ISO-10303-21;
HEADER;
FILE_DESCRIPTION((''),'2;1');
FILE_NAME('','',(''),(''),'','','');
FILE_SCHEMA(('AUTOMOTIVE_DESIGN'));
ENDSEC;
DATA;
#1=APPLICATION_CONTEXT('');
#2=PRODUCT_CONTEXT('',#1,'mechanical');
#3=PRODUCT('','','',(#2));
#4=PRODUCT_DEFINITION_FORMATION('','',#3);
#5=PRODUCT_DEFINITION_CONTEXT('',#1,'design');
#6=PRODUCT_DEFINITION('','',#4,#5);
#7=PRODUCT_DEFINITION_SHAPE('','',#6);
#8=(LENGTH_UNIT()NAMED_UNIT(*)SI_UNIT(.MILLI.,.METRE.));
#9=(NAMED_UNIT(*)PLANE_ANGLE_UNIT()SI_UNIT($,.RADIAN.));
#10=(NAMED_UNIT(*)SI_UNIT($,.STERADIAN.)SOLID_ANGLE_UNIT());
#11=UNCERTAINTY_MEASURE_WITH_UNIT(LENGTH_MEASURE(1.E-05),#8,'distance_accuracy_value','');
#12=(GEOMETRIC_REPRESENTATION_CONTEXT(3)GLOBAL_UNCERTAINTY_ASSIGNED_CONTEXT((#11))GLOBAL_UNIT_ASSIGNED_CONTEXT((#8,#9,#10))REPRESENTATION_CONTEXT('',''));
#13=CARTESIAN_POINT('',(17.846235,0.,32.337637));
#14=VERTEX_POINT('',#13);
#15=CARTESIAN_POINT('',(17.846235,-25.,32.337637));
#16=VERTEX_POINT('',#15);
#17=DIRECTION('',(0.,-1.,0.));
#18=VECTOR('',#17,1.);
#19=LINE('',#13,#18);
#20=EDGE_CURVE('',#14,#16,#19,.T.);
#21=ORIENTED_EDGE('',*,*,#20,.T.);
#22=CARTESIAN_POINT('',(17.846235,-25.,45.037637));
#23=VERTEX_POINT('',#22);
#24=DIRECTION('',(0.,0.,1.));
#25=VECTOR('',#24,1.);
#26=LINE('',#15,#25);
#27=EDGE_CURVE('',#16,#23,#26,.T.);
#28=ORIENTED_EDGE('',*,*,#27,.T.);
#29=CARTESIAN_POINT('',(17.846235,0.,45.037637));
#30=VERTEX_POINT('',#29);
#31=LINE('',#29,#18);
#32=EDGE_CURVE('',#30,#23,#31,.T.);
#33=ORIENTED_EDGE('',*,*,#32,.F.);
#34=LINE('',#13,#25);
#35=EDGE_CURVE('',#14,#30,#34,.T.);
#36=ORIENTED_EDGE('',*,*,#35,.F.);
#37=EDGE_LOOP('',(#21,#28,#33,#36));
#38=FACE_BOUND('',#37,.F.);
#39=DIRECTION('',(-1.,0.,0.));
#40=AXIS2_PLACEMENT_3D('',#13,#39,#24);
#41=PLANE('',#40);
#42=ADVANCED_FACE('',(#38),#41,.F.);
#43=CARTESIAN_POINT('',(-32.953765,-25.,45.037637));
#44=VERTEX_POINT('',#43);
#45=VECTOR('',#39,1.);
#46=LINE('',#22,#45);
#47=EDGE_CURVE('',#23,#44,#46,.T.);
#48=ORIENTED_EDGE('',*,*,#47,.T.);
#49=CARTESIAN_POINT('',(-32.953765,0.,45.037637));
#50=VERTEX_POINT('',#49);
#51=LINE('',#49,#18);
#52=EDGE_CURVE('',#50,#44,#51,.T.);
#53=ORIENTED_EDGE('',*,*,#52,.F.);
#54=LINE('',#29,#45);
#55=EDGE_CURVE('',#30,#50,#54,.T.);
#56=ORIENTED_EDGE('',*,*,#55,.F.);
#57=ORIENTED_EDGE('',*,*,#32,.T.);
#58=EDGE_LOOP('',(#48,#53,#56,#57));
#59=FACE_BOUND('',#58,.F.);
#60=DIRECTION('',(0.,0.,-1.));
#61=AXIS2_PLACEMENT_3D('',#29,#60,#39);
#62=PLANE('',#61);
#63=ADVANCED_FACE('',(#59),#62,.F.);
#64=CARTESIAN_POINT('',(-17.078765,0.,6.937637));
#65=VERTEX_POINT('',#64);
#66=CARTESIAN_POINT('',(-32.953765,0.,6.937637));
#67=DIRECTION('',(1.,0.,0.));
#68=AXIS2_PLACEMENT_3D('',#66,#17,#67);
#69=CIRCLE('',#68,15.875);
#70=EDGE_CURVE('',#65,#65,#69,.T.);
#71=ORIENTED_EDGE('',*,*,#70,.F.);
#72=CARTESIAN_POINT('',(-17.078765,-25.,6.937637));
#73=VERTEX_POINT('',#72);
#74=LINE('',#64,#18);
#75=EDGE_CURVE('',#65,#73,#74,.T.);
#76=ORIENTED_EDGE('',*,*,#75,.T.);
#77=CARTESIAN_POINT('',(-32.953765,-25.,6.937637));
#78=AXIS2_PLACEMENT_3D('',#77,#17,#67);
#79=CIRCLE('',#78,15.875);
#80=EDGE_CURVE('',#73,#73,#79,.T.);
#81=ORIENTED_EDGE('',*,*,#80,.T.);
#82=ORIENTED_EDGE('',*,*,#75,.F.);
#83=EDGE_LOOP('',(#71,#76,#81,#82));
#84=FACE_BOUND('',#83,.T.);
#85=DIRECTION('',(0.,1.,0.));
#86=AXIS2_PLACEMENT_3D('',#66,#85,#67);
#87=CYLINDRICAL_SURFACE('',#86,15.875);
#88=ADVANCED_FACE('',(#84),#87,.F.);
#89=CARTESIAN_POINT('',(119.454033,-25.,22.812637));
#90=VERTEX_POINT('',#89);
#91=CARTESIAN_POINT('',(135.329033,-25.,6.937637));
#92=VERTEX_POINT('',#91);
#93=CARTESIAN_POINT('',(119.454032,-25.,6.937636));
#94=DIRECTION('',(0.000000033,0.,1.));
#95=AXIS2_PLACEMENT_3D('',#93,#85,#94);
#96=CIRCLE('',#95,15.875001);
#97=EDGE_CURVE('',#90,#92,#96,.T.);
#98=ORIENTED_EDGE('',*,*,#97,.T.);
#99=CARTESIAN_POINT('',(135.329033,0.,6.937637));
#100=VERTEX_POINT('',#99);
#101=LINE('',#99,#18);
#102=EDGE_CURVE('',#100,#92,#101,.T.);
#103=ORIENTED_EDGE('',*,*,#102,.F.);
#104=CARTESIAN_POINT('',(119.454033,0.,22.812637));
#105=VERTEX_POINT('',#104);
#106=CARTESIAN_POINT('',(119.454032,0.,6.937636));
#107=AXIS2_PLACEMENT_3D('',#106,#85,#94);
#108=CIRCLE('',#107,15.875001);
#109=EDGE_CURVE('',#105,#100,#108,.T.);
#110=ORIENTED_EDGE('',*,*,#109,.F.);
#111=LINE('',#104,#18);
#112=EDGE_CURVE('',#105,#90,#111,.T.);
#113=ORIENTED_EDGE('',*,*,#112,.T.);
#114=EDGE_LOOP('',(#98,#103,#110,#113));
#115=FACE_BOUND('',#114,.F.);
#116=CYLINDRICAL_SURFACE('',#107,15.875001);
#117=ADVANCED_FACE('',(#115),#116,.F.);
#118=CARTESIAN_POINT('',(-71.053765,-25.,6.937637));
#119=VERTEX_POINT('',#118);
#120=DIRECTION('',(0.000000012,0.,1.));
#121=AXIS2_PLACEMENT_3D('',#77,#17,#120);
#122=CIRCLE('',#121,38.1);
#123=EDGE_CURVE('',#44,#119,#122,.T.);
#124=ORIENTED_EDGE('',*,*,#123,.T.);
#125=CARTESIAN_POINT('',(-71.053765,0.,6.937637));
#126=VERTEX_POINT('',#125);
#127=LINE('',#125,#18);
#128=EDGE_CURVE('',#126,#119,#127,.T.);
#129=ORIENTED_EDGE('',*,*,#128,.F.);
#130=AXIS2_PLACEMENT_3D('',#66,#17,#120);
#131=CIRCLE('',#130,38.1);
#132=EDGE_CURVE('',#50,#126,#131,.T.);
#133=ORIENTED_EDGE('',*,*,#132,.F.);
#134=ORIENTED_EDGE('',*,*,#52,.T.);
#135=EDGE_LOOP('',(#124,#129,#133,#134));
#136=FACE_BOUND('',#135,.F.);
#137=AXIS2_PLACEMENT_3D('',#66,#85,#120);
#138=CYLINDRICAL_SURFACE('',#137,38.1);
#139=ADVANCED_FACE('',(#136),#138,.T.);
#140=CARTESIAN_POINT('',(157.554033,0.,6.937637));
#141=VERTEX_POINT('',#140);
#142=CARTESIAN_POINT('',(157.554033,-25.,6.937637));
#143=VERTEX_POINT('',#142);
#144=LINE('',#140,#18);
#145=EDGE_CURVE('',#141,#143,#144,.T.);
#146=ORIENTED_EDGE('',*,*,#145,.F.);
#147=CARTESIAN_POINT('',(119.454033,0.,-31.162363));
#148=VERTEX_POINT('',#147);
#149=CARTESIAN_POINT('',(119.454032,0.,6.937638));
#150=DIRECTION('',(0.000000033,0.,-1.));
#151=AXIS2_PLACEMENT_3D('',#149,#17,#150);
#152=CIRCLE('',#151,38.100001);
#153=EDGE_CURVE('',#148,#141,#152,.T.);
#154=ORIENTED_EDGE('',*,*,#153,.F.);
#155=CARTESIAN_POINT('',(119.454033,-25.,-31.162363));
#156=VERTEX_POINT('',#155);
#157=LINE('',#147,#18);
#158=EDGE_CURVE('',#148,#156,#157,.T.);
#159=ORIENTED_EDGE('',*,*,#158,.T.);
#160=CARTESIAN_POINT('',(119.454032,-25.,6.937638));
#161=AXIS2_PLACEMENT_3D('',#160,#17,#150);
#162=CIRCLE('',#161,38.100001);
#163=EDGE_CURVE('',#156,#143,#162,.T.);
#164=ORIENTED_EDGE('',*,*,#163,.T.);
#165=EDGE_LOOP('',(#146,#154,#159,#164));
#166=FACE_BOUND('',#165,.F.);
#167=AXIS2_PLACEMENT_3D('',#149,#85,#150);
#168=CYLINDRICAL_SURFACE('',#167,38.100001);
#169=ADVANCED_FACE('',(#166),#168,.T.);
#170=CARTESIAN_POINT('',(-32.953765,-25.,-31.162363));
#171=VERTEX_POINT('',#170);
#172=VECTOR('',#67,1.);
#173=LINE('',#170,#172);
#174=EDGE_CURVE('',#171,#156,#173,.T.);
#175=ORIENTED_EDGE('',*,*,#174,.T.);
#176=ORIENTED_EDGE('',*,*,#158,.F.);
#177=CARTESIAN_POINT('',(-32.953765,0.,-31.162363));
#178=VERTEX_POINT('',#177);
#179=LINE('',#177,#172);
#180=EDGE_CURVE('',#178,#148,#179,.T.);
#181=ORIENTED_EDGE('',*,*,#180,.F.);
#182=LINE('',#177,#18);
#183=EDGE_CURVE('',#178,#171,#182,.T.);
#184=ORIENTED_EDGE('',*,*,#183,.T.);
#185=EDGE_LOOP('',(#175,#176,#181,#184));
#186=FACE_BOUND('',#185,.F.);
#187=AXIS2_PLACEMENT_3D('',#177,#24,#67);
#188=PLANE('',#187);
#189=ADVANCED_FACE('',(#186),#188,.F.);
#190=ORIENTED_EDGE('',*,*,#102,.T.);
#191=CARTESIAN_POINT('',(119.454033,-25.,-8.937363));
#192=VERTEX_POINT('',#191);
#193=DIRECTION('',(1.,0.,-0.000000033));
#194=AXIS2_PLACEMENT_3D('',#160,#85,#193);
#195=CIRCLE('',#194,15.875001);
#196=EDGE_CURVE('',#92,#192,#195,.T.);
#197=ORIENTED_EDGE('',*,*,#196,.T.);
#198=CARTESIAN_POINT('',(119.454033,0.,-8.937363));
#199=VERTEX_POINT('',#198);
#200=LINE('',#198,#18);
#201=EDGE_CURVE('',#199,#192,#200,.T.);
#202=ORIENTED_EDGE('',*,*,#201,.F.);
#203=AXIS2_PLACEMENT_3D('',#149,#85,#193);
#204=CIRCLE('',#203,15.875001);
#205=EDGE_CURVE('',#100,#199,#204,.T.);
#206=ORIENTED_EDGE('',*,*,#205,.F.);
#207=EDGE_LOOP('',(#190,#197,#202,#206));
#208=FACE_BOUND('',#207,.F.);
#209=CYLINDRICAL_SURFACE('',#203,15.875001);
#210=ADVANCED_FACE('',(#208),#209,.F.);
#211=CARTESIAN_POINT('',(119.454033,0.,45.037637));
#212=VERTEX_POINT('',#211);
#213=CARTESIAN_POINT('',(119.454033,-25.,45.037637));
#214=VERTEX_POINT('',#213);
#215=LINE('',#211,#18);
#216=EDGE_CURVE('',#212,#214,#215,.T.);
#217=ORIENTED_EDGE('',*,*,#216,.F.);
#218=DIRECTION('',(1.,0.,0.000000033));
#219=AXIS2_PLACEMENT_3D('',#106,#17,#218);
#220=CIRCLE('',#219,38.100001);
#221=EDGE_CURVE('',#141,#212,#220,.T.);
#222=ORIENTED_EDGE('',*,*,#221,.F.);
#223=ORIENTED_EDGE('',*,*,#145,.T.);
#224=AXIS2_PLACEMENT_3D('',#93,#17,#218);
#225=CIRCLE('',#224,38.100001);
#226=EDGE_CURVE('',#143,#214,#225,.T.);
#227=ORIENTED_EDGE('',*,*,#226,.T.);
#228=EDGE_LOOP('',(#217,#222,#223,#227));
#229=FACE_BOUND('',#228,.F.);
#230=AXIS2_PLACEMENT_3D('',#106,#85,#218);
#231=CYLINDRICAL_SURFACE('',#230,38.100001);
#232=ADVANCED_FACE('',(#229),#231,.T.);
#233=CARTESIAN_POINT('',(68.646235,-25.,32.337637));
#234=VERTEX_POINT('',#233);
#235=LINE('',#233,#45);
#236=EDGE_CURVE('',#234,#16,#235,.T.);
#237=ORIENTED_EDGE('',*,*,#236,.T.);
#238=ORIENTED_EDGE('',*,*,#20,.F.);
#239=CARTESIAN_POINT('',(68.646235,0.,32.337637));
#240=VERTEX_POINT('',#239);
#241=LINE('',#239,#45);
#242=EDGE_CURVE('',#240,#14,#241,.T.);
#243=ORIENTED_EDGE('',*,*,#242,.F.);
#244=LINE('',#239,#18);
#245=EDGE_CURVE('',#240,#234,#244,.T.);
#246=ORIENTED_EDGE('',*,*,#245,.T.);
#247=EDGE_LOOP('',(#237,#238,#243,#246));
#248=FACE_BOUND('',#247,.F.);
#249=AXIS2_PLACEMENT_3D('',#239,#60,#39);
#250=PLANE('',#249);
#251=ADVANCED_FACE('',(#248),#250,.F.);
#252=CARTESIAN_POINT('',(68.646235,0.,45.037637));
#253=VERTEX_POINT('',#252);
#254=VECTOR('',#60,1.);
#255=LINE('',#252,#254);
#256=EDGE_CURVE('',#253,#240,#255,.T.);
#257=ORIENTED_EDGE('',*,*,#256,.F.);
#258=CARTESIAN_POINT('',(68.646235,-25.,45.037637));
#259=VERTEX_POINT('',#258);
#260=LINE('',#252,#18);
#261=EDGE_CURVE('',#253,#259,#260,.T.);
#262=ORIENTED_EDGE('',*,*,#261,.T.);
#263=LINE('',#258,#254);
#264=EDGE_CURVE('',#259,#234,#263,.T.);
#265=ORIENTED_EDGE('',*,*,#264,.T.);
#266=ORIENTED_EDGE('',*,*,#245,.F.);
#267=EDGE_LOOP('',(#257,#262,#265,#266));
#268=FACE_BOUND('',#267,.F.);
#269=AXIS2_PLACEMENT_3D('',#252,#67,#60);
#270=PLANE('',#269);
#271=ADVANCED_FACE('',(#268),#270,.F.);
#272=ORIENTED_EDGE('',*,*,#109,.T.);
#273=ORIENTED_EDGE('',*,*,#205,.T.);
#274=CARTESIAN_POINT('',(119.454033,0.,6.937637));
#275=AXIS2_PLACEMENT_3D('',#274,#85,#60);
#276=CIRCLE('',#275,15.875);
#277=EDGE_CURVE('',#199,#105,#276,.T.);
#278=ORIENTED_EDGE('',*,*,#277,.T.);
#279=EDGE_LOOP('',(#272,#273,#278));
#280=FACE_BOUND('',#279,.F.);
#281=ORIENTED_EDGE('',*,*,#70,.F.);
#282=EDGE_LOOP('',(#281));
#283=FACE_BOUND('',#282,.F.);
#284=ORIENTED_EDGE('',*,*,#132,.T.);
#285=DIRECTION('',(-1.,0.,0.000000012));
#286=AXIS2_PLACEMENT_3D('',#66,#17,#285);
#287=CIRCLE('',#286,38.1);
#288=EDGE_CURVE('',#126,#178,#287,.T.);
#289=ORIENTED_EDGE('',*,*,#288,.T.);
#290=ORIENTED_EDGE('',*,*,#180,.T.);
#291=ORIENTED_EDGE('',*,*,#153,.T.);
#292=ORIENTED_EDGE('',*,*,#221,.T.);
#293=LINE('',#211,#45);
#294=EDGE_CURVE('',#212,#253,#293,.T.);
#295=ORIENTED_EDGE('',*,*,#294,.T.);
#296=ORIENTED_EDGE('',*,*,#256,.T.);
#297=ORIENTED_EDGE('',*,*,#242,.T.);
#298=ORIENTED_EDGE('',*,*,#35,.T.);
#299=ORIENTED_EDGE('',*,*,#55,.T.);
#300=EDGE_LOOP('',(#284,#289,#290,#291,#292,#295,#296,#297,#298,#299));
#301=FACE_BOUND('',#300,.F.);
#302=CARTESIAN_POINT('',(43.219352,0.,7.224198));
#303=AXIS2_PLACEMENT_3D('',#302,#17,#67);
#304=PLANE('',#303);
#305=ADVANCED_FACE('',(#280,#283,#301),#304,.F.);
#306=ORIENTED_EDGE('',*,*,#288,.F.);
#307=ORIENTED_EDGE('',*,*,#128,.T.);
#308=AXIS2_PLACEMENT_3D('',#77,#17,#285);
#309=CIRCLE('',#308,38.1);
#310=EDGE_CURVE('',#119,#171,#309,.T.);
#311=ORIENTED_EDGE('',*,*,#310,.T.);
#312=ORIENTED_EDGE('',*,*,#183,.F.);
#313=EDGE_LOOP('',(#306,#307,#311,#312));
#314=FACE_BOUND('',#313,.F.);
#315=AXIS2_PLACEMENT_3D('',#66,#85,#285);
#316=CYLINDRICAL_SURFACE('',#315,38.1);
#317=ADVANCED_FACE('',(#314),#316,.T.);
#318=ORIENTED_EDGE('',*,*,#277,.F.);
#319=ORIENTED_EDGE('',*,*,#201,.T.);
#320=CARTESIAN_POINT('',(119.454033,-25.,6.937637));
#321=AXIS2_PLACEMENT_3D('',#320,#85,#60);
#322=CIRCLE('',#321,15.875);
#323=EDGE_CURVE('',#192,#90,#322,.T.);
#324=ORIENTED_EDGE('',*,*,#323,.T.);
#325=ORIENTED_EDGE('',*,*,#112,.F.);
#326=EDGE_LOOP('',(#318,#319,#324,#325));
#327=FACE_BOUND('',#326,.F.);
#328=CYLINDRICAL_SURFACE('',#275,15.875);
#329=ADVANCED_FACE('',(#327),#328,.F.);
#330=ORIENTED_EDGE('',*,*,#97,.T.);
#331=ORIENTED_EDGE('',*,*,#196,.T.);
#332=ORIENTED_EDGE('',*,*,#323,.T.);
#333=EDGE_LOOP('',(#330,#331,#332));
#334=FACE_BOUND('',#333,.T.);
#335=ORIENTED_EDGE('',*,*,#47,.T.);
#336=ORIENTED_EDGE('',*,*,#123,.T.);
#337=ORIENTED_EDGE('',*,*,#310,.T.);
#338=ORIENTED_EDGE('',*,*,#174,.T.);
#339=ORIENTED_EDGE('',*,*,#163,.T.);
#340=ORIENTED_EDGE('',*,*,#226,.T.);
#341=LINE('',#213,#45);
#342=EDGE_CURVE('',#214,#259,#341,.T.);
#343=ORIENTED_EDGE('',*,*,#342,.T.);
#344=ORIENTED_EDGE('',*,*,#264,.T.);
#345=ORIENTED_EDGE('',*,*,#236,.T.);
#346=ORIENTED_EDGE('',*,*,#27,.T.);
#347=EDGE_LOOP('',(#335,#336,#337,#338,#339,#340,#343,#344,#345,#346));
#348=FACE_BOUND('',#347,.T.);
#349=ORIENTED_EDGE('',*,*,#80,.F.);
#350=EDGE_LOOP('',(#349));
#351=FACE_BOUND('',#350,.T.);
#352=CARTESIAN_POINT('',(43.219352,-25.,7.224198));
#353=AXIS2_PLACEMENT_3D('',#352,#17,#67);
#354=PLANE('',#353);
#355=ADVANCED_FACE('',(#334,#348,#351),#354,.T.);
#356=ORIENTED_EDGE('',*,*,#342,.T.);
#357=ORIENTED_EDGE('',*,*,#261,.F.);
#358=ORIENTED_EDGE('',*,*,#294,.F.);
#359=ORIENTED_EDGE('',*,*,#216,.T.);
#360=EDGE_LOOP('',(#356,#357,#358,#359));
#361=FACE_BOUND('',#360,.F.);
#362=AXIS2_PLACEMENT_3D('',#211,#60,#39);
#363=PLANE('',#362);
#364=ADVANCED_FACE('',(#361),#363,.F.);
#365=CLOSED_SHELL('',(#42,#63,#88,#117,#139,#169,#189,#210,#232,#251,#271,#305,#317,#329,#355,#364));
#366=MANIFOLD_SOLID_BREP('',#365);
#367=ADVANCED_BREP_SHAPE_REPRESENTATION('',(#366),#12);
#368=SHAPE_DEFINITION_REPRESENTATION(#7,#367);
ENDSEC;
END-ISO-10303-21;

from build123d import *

# Parameters (mm, degrees)
F0_R     = 15.875
F1_DEPTH = 25


with BuildPart() as f1:
    # F0 (on Front) → F1 (new body)
    with BuildSketch(Plane.XZ):
        with BuildLine():
            ThreePointArc((119.454033, -31.162363), (81.354033, 6.937637), (119.454033, 45.037637))
            Line((119.454033, 45.037637), (68.646235, 45.037637))
            Line((68.646235, 45.037637), (68.646235, 32.337637))
            Line((68.646235, 32.337637), (17.846235, 32.337637))
            Line((17.846235, 32.337637), (17.846235, 45.037637))
            Line((17.846235, 45.037637), (-32.953765, 45.037637))
            ThreePointArc((-32.953765, 45.037637), (-6.012997, 33.878405), (5.146235, 6.937637))
            ThreePointArc((5.146235, 6.937637), (-6.012997, -20.003131), (-32.953765, -31.162363))
            Line((-32.953765, -31.162363), (119.454033, -31.162363))
        make_face()
        with BuildLine():
            ThreePointArc((-71.053765, 6.937637), (-59.894534, -20.003131), (-32.953765, -31.162363))
            ThreePointArc((-32.953765, -31.162363), (-6.012997, -20.003131), (5.146235, 6.937637))
            ThreePointArc((5.146235, 6.937637), (-6.012997, 33.878405), (-32.953765, 45.037637))
            ThreePointArc((-32.953765, 45.037637), (-59.894534, 33.878405), (-71.053765, 6.937637))
        make_face()
        with Locations((-32.953765, 6.937637)):
            Circle(F0_R, mode=Mode.SUBTRACT)
        with BuildLine():
            ThreePointArc((119.454033, -31.162363), (146.394801, -20.003131), (157.554033, 6.937637))
            ThreePointArc((157.554033, 6.937637), (146.394801, 33.878405), (119.454033, 45.037637))
            ThreePointArc((119.454033, 45.037637), (81.354033, 6.937637), (119.454033, -31.162363))
        make_face()
        with BuildLine():
            ThreePointArc((119.454033, 22.812637), (130.679353, 18.162957), (135.329033, 6.937637))
            ThreePointArc((135.329033, 6.937637), (130.679353, -4.287683), (119.454033, -8.937363))
            ThreePointArc((119.454033, -8.937363), (103.579033, 6.937637), (119.454033, 22.812637))
        make_face(mode=Mode.SUBTRACT)
    extrude(amount=F1_DEPTH)


solid = f1.part
